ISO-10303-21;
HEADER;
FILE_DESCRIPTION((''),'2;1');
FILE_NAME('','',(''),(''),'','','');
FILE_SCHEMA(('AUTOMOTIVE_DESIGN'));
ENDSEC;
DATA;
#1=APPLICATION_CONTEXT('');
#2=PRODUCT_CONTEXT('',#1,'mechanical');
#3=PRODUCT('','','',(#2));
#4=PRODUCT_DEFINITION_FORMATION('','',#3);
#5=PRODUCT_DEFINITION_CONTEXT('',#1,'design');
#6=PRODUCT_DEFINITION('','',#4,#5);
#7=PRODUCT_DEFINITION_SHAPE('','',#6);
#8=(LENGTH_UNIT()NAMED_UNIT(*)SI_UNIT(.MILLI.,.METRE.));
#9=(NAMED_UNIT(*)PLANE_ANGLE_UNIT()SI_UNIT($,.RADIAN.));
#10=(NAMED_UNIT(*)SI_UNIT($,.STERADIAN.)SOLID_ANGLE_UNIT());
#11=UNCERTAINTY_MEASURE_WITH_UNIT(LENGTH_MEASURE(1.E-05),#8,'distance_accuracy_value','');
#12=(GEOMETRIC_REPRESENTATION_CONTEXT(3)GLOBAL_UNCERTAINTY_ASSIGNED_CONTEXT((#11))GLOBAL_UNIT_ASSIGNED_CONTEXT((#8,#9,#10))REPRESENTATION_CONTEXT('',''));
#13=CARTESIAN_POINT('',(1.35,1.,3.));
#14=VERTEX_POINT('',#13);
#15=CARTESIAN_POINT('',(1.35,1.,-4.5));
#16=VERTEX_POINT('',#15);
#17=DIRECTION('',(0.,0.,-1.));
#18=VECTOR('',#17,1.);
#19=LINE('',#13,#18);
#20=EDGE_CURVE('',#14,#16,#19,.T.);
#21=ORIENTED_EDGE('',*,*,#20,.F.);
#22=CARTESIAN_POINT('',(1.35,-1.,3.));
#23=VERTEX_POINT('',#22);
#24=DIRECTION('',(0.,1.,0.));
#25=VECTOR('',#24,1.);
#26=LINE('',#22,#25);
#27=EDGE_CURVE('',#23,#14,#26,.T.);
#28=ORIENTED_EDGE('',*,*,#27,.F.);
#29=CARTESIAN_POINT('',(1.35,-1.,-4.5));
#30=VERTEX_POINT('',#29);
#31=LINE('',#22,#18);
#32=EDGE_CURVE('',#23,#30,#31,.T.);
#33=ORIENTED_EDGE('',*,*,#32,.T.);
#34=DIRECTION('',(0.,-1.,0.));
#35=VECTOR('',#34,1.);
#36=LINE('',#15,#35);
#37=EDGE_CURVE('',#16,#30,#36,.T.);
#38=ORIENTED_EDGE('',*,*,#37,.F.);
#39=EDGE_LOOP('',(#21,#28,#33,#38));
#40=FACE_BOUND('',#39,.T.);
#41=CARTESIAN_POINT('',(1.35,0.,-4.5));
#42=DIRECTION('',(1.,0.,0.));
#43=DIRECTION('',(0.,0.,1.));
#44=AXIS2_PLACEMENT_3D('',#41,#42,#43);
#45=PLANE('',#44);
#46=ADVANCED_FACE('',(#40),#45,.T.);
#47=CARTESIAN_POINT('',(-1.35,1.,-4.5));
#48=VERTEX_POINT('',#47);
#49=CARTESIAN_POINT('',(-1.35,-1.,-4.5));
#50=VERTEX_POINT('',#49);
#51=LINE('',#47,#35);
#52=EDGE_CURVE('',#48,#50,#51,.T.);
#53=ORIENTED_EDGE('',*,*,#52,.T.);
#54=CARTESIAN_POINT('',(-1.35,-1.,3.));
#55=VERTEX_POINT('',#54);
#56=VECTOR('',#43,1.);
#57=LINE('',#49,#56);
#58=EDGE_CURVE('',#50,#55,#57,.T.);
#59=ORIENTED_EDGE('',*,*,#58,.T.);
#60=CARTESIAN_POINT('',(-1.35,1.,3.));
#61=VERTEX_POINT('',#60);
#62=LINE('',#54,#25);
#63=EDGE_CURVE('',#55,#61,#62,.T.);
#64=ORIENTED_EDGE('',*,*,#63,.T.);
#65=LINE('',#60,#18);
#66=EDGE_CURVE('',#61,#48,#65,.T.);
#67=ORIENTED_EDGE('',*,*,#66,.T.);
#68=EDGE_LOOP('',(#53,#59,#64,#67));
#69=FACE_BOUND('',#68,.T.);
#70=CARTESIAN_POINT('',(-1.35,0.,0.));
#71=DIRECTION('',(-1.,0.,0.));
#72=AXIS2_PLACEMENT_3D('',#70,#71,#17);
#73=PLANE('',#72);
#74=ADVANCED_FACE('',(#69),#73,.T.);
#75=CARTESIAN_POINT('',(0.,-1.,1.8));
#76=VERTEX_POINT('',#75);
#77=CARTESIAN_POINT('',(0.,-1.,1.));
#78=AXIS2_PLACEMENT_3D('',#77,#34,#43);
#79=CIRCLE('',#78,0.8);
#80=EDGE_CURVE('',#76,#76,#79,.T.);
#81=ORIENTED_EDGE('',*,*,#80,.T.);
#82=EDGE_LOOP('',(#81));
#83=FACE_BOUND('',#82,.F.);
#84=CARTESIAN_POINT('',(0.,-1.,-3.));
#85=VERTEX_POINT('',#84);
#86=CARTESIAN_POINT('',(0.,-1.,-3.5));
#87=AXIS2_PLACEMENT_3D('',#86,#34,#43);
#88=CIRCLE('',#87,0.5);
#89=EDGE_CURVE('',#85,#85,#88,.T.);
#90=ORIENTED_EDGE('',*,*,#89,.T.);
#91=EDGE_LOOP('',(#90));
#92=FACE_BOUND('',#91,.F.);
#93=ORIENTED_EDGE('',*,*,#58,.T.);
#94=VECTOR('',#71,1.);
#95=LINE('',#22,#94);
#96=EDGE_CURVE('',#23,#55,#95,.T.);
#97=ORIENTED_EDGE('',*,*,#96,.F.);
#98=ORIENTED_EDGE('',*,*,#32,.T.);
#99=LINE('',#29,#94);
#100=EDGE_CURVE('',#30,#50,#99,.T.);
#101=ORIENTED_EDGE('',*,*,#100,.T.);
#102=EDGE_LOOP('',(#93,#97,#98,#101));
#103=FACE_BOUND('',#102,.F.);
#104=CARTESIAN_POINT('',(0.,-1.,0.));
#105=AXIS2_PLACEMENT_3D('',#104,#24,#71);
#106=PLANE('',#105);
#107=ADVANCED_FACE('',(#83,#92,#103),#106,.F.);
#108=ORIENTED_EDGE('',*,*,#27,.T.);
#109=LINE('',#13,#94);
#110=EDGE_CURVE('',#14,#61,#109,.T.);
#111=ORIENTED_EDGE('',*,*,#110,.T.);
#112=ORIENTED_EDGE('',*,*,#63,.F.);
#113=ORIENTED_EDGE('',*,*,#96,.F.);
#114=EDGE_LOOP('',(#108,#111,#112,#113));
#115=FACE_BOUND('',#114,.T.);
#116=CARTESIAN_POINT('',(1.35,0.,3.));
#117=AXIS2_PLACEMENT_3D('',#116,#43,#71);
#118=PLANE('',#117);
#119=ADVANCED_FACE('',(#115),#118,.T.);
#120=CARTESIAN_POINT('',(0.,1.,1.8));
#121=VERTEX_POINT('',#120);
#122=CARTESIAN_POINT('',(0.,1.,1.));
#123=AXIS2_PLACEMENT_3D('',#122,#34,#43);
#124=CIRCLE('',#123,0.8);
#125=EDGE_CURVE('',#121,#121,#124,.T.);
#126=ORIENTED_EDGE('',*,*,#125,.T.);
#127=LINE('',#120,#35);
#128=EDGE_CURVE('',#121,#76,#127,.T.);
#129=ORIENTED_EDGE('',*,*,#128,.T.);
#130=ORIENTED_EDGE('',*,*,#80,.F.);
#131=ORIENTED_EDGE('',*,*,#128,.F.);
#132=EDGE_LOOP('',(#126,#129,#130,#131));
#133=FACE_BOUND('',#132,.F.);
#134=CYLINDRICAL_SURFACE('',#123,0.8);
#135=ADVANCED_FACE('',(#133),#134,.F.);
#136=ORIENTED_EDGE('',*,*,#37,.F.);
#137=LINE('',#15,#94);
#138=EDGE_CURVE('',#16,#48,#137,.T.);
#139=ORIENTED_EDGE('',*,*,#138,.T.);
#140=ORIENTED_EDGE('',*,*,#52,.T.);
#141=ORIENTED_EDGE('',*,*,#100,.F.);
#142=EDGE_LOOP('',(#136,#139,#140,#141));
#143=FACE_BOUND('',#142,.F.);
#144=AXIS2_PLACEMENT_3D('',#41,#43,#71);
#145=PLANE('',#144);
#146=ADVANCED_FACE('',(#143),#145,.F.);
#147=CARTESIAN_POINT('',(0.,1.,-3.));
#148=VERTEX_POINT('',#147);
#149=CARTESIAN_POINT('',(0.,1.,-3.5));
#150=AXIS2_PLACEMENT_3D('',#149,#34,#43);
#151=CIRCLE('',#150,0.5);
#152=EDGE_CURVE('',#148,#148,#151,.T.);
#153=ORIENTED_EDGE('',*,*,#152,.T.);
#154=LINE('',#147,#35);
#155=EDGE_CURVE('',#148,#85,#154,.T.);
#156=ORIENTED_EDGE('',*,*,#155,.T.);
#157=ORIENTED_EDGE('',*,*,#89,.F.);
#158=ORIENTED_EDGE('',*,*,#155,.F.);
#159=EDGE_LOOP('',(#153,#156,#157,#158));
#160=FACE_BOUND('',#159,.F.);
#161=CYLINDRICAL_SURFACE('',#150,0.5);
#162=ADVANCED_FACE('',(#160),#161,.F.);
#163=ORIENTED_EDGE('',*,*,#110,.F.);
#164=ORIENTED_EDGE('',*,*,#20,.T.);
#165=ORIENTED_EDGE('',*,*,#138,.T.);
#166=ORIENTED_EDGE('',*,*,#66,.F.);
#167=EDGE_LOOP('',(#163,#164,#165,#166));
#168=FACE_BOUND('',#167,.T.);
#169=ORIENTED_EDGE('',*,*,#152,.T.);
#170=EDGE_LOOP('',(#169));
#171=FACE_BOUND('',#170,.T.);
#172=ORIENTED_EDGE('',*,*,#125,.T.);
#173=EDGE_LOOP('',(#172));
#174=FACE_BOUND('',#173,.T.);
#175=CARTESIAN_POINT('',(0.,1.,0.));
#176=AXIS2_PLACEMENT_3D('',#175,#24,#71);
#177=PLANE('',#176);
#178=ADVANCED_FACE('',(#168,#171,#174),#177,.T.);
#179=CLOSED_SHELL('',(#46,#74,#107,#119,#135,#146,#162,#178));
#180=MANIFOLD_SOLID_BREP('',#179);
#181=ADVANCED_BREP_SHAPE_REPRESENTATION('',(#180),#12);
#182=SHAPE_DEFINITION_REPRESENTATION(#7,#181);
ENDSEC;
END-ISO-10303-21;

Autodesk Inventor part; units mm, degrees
ref_plane "YZ Plane" through (0, 0, 0) normal (1, 0, 0) x (0, 1, 0)
ref_plane "XZ Plane" through (0, 0, 0) normal (0, 1, 0) x (-1, 0, 0)
ref_plane "XY Plane" through (0, 0, 0) normal (0, 0, 1) x (1, 0, 0)
sketch "Sketch2" plane through (0, 0, 0) normal (0, 1, 0) x (-1, 0, 0)
  line L0 (1.35, 0) -> (1.35, -4.5)
  line L1 (-1.35, -1) -> (-1.35, 3)
  line L2 (-1.35, -4.5) -> (-1.35, 3)
  line L3 (-1.35, 3) -> (1.35, 3)
  line L4 (1.35, 3) -> (1.35, -4.5)
  line L5 (-1.35, -4.5) -> (1.35, -4.5)
  point P0 (0, 0)
  dimension "d8" = 1.35
  dimension "d11" = 4
  dimension "d24" = 7.5
  dimension "d62" = 2.7
  dimension "d63" = 2.7
extrude "Extrusion1" add sketch "Sketch2" along normal mid plane 2
sketch "Sketch6" plane through (0, 1, 0) normal (0, 1, 0) x (1, 0, 0)
  line L0 (0, -3) -> (0, -1)
  circle A0 centre (0, -1) radius 0.8
  line L1 (0, -1) -> (-1.35, -1)
  line L2 (-1.35, 4.5) -> (-1.35, -3) projected
  point P0 (0, 0)
  dimension "d40" = 2
  dimension "d41" = 1.6
  dimension "d64" = 1.35
hole "Hole3" at (0, 1, 1) direction (0, -1, 0) diameter 1.6 end through all
sketch "Sketch7" plane through (0, 1, 0) normal (0, 1, 0) x (1, 0, 0)
  line L0 (0, 4.5) -> (0, 3.5)
  circle A0 centre (0, 3.5) radius 0.5
  line L1 (0, 3.5) -> (0, -1)
  line L2 (0, 3.5) -> (0, 1)
  line L3 (0, 4.5) -> (0, 4)
  point P0 (0, 0)
  dimension "d50" = 1
  dimension "d49" = 1
  dimension "d51" = 4.5
  dimension "d52" = 2.5
  dimension "d53" = 0.5
hole "Hole4" at (0, 1, -3.5) direction (0, -1, 0) diameter 1 end through all
properties part number "Part3_slider" material "ABS Plastic"
